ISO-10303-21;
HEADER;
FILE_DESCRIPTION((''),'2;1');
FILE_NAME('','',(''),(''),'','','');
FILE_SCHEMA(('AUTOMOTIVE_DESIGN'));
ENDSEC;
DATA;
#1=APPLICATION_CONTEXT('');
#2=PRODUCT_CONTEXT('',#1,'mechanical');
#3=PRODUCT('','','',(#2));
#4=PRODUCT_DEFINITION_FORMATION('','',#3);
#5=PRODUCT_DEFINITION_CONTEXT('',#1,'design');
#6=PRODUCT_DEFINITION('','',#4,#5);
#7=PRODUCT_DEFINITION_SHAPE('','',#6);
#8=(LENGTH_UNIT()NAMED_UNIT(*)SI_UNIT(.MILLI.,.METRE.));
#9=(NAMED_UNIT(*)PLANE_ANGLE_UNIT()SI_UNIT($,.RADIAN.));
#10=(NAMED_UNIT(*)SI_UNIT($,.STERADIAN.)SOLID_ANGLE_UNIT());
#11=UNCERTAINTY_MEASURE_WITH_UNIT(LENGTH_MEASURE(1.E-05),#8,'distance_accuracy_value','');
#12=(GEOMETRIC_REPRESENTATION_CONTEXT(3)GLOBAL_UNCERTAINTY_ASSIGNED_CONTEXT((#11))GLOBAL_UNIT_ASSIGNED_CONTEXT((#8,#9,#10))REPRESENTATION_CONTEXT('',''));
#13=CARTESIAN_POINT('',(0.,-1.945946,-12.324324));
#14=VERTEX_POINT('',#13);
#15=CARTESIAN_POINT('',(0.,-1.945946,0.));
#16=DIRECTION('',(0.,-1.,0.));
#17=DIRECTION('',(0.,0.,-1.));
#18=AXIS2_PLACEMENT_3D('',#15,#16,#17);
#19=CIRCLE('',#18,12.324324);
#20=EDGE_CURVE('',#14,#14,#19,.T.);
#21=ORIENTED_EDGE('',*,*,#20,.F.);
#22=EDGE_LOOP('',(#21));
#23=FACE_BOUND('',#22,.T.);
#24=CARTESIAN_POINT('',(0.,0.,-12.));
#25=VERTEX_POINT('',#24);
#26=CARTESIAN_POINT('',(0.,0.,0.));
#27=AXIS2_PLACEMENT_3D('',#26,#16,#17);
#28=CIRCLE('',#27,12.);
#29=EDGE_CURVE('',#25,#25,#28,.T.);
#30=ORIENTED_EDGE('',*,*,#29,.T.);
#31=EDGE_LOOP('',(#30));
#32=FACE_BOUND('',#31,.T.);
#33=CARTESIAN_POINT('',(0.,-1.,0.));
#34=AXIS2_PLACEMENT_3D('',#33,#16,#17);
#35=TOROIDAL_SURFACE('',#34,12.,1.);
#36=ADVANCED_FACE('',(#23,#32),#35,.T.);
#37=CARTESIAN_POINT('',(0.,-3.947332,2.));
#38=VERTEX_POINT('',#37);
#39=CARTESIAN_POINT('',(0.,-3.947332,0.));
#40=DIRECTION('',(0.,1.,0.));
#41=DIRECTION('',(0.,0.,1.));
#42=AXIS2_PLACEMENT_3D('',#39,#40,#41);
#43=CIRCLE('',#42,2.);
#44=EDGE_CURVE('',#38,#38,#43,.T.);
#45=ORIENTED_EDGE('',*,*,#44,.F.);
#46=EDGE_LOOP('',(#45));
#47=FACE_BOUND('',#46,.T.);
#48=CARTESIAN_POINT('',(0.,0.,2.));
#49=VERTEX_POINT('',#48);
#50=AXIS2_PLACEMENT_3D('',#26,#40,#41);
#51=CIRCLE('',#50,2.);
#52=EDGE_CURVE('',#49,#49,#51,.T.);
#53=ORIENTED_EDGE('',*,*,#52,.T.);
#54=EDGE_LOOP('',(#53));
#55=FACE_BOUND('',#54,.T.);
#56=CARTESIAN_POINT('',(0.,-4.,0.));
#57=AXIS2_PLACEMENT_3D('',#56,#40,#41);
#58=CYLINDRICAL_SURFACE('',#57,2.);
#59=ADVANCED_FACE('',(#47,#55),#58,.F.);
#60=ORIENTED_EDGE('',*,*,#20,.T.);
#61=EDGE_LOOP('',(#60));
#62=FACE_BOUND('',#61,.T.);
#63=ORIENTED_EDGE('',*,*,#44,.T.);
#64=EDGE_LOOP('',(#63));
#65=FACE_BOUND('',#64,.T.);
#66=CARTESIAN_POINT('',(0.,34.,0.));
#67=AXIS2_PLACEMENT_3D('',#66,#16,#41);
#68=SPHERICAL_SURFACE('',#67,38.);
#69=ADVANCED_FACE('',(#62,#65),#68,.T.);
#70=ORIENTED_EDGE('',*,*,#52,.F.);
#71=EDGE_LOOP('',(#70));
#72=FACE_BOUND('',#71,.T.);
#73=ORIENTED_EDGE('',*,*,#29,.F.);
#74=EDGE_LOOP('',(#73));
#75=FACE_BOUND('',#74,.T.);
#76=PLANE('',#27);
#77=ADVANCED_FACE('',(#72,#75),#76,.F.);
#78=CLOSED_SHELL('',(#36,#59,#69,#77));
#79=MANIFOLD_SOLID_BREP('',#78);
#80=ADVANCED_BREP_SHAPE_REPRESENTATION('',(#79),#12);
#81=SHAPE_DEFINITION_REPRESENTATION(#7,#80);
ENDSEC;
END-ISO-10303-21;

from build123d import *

# Parameters (mm, degrees)
SKETCH2_R          = 2
CUT_EXTRUDE1_DEPTH = 5


with BuildPart() as part:
    # Sketch1 → Revolve1 (revolve)
    with BuildSketch(Plane(origin=(0, 0, 0), x_dir=(0, 0, -1), z_dir=(1, 0, 0))):
        with BuildLine():
            Line((0, 0), (-12, 0))
            ThreePointArc((-12, 0), (-12.986393924, -0.835601013), (-12.324324324, -1.945945946))
            ThreePointArc((-12.324324324, -1.945945946), (-6.247161518, -3.482969106), (0, -4))
            Line((0, -4), (0, 0))
        make_face()
    revolve(axis=Axis((0, -4, 0), (0, 1, 0)))

    # Sketch2 → Cut-Extrude1 (cut, through all)
    with BuildSketch(Plane(origin=(0, 0, 0), x_dir=(1, 0, 0), z_dir=(0, 1, 0))):
        Circle(SKETCH2_R)
    extrude(amount=-CUT_EXTRUDE1_DEPTH, mode=Mode.SUBTRACT)


solid = part.part
